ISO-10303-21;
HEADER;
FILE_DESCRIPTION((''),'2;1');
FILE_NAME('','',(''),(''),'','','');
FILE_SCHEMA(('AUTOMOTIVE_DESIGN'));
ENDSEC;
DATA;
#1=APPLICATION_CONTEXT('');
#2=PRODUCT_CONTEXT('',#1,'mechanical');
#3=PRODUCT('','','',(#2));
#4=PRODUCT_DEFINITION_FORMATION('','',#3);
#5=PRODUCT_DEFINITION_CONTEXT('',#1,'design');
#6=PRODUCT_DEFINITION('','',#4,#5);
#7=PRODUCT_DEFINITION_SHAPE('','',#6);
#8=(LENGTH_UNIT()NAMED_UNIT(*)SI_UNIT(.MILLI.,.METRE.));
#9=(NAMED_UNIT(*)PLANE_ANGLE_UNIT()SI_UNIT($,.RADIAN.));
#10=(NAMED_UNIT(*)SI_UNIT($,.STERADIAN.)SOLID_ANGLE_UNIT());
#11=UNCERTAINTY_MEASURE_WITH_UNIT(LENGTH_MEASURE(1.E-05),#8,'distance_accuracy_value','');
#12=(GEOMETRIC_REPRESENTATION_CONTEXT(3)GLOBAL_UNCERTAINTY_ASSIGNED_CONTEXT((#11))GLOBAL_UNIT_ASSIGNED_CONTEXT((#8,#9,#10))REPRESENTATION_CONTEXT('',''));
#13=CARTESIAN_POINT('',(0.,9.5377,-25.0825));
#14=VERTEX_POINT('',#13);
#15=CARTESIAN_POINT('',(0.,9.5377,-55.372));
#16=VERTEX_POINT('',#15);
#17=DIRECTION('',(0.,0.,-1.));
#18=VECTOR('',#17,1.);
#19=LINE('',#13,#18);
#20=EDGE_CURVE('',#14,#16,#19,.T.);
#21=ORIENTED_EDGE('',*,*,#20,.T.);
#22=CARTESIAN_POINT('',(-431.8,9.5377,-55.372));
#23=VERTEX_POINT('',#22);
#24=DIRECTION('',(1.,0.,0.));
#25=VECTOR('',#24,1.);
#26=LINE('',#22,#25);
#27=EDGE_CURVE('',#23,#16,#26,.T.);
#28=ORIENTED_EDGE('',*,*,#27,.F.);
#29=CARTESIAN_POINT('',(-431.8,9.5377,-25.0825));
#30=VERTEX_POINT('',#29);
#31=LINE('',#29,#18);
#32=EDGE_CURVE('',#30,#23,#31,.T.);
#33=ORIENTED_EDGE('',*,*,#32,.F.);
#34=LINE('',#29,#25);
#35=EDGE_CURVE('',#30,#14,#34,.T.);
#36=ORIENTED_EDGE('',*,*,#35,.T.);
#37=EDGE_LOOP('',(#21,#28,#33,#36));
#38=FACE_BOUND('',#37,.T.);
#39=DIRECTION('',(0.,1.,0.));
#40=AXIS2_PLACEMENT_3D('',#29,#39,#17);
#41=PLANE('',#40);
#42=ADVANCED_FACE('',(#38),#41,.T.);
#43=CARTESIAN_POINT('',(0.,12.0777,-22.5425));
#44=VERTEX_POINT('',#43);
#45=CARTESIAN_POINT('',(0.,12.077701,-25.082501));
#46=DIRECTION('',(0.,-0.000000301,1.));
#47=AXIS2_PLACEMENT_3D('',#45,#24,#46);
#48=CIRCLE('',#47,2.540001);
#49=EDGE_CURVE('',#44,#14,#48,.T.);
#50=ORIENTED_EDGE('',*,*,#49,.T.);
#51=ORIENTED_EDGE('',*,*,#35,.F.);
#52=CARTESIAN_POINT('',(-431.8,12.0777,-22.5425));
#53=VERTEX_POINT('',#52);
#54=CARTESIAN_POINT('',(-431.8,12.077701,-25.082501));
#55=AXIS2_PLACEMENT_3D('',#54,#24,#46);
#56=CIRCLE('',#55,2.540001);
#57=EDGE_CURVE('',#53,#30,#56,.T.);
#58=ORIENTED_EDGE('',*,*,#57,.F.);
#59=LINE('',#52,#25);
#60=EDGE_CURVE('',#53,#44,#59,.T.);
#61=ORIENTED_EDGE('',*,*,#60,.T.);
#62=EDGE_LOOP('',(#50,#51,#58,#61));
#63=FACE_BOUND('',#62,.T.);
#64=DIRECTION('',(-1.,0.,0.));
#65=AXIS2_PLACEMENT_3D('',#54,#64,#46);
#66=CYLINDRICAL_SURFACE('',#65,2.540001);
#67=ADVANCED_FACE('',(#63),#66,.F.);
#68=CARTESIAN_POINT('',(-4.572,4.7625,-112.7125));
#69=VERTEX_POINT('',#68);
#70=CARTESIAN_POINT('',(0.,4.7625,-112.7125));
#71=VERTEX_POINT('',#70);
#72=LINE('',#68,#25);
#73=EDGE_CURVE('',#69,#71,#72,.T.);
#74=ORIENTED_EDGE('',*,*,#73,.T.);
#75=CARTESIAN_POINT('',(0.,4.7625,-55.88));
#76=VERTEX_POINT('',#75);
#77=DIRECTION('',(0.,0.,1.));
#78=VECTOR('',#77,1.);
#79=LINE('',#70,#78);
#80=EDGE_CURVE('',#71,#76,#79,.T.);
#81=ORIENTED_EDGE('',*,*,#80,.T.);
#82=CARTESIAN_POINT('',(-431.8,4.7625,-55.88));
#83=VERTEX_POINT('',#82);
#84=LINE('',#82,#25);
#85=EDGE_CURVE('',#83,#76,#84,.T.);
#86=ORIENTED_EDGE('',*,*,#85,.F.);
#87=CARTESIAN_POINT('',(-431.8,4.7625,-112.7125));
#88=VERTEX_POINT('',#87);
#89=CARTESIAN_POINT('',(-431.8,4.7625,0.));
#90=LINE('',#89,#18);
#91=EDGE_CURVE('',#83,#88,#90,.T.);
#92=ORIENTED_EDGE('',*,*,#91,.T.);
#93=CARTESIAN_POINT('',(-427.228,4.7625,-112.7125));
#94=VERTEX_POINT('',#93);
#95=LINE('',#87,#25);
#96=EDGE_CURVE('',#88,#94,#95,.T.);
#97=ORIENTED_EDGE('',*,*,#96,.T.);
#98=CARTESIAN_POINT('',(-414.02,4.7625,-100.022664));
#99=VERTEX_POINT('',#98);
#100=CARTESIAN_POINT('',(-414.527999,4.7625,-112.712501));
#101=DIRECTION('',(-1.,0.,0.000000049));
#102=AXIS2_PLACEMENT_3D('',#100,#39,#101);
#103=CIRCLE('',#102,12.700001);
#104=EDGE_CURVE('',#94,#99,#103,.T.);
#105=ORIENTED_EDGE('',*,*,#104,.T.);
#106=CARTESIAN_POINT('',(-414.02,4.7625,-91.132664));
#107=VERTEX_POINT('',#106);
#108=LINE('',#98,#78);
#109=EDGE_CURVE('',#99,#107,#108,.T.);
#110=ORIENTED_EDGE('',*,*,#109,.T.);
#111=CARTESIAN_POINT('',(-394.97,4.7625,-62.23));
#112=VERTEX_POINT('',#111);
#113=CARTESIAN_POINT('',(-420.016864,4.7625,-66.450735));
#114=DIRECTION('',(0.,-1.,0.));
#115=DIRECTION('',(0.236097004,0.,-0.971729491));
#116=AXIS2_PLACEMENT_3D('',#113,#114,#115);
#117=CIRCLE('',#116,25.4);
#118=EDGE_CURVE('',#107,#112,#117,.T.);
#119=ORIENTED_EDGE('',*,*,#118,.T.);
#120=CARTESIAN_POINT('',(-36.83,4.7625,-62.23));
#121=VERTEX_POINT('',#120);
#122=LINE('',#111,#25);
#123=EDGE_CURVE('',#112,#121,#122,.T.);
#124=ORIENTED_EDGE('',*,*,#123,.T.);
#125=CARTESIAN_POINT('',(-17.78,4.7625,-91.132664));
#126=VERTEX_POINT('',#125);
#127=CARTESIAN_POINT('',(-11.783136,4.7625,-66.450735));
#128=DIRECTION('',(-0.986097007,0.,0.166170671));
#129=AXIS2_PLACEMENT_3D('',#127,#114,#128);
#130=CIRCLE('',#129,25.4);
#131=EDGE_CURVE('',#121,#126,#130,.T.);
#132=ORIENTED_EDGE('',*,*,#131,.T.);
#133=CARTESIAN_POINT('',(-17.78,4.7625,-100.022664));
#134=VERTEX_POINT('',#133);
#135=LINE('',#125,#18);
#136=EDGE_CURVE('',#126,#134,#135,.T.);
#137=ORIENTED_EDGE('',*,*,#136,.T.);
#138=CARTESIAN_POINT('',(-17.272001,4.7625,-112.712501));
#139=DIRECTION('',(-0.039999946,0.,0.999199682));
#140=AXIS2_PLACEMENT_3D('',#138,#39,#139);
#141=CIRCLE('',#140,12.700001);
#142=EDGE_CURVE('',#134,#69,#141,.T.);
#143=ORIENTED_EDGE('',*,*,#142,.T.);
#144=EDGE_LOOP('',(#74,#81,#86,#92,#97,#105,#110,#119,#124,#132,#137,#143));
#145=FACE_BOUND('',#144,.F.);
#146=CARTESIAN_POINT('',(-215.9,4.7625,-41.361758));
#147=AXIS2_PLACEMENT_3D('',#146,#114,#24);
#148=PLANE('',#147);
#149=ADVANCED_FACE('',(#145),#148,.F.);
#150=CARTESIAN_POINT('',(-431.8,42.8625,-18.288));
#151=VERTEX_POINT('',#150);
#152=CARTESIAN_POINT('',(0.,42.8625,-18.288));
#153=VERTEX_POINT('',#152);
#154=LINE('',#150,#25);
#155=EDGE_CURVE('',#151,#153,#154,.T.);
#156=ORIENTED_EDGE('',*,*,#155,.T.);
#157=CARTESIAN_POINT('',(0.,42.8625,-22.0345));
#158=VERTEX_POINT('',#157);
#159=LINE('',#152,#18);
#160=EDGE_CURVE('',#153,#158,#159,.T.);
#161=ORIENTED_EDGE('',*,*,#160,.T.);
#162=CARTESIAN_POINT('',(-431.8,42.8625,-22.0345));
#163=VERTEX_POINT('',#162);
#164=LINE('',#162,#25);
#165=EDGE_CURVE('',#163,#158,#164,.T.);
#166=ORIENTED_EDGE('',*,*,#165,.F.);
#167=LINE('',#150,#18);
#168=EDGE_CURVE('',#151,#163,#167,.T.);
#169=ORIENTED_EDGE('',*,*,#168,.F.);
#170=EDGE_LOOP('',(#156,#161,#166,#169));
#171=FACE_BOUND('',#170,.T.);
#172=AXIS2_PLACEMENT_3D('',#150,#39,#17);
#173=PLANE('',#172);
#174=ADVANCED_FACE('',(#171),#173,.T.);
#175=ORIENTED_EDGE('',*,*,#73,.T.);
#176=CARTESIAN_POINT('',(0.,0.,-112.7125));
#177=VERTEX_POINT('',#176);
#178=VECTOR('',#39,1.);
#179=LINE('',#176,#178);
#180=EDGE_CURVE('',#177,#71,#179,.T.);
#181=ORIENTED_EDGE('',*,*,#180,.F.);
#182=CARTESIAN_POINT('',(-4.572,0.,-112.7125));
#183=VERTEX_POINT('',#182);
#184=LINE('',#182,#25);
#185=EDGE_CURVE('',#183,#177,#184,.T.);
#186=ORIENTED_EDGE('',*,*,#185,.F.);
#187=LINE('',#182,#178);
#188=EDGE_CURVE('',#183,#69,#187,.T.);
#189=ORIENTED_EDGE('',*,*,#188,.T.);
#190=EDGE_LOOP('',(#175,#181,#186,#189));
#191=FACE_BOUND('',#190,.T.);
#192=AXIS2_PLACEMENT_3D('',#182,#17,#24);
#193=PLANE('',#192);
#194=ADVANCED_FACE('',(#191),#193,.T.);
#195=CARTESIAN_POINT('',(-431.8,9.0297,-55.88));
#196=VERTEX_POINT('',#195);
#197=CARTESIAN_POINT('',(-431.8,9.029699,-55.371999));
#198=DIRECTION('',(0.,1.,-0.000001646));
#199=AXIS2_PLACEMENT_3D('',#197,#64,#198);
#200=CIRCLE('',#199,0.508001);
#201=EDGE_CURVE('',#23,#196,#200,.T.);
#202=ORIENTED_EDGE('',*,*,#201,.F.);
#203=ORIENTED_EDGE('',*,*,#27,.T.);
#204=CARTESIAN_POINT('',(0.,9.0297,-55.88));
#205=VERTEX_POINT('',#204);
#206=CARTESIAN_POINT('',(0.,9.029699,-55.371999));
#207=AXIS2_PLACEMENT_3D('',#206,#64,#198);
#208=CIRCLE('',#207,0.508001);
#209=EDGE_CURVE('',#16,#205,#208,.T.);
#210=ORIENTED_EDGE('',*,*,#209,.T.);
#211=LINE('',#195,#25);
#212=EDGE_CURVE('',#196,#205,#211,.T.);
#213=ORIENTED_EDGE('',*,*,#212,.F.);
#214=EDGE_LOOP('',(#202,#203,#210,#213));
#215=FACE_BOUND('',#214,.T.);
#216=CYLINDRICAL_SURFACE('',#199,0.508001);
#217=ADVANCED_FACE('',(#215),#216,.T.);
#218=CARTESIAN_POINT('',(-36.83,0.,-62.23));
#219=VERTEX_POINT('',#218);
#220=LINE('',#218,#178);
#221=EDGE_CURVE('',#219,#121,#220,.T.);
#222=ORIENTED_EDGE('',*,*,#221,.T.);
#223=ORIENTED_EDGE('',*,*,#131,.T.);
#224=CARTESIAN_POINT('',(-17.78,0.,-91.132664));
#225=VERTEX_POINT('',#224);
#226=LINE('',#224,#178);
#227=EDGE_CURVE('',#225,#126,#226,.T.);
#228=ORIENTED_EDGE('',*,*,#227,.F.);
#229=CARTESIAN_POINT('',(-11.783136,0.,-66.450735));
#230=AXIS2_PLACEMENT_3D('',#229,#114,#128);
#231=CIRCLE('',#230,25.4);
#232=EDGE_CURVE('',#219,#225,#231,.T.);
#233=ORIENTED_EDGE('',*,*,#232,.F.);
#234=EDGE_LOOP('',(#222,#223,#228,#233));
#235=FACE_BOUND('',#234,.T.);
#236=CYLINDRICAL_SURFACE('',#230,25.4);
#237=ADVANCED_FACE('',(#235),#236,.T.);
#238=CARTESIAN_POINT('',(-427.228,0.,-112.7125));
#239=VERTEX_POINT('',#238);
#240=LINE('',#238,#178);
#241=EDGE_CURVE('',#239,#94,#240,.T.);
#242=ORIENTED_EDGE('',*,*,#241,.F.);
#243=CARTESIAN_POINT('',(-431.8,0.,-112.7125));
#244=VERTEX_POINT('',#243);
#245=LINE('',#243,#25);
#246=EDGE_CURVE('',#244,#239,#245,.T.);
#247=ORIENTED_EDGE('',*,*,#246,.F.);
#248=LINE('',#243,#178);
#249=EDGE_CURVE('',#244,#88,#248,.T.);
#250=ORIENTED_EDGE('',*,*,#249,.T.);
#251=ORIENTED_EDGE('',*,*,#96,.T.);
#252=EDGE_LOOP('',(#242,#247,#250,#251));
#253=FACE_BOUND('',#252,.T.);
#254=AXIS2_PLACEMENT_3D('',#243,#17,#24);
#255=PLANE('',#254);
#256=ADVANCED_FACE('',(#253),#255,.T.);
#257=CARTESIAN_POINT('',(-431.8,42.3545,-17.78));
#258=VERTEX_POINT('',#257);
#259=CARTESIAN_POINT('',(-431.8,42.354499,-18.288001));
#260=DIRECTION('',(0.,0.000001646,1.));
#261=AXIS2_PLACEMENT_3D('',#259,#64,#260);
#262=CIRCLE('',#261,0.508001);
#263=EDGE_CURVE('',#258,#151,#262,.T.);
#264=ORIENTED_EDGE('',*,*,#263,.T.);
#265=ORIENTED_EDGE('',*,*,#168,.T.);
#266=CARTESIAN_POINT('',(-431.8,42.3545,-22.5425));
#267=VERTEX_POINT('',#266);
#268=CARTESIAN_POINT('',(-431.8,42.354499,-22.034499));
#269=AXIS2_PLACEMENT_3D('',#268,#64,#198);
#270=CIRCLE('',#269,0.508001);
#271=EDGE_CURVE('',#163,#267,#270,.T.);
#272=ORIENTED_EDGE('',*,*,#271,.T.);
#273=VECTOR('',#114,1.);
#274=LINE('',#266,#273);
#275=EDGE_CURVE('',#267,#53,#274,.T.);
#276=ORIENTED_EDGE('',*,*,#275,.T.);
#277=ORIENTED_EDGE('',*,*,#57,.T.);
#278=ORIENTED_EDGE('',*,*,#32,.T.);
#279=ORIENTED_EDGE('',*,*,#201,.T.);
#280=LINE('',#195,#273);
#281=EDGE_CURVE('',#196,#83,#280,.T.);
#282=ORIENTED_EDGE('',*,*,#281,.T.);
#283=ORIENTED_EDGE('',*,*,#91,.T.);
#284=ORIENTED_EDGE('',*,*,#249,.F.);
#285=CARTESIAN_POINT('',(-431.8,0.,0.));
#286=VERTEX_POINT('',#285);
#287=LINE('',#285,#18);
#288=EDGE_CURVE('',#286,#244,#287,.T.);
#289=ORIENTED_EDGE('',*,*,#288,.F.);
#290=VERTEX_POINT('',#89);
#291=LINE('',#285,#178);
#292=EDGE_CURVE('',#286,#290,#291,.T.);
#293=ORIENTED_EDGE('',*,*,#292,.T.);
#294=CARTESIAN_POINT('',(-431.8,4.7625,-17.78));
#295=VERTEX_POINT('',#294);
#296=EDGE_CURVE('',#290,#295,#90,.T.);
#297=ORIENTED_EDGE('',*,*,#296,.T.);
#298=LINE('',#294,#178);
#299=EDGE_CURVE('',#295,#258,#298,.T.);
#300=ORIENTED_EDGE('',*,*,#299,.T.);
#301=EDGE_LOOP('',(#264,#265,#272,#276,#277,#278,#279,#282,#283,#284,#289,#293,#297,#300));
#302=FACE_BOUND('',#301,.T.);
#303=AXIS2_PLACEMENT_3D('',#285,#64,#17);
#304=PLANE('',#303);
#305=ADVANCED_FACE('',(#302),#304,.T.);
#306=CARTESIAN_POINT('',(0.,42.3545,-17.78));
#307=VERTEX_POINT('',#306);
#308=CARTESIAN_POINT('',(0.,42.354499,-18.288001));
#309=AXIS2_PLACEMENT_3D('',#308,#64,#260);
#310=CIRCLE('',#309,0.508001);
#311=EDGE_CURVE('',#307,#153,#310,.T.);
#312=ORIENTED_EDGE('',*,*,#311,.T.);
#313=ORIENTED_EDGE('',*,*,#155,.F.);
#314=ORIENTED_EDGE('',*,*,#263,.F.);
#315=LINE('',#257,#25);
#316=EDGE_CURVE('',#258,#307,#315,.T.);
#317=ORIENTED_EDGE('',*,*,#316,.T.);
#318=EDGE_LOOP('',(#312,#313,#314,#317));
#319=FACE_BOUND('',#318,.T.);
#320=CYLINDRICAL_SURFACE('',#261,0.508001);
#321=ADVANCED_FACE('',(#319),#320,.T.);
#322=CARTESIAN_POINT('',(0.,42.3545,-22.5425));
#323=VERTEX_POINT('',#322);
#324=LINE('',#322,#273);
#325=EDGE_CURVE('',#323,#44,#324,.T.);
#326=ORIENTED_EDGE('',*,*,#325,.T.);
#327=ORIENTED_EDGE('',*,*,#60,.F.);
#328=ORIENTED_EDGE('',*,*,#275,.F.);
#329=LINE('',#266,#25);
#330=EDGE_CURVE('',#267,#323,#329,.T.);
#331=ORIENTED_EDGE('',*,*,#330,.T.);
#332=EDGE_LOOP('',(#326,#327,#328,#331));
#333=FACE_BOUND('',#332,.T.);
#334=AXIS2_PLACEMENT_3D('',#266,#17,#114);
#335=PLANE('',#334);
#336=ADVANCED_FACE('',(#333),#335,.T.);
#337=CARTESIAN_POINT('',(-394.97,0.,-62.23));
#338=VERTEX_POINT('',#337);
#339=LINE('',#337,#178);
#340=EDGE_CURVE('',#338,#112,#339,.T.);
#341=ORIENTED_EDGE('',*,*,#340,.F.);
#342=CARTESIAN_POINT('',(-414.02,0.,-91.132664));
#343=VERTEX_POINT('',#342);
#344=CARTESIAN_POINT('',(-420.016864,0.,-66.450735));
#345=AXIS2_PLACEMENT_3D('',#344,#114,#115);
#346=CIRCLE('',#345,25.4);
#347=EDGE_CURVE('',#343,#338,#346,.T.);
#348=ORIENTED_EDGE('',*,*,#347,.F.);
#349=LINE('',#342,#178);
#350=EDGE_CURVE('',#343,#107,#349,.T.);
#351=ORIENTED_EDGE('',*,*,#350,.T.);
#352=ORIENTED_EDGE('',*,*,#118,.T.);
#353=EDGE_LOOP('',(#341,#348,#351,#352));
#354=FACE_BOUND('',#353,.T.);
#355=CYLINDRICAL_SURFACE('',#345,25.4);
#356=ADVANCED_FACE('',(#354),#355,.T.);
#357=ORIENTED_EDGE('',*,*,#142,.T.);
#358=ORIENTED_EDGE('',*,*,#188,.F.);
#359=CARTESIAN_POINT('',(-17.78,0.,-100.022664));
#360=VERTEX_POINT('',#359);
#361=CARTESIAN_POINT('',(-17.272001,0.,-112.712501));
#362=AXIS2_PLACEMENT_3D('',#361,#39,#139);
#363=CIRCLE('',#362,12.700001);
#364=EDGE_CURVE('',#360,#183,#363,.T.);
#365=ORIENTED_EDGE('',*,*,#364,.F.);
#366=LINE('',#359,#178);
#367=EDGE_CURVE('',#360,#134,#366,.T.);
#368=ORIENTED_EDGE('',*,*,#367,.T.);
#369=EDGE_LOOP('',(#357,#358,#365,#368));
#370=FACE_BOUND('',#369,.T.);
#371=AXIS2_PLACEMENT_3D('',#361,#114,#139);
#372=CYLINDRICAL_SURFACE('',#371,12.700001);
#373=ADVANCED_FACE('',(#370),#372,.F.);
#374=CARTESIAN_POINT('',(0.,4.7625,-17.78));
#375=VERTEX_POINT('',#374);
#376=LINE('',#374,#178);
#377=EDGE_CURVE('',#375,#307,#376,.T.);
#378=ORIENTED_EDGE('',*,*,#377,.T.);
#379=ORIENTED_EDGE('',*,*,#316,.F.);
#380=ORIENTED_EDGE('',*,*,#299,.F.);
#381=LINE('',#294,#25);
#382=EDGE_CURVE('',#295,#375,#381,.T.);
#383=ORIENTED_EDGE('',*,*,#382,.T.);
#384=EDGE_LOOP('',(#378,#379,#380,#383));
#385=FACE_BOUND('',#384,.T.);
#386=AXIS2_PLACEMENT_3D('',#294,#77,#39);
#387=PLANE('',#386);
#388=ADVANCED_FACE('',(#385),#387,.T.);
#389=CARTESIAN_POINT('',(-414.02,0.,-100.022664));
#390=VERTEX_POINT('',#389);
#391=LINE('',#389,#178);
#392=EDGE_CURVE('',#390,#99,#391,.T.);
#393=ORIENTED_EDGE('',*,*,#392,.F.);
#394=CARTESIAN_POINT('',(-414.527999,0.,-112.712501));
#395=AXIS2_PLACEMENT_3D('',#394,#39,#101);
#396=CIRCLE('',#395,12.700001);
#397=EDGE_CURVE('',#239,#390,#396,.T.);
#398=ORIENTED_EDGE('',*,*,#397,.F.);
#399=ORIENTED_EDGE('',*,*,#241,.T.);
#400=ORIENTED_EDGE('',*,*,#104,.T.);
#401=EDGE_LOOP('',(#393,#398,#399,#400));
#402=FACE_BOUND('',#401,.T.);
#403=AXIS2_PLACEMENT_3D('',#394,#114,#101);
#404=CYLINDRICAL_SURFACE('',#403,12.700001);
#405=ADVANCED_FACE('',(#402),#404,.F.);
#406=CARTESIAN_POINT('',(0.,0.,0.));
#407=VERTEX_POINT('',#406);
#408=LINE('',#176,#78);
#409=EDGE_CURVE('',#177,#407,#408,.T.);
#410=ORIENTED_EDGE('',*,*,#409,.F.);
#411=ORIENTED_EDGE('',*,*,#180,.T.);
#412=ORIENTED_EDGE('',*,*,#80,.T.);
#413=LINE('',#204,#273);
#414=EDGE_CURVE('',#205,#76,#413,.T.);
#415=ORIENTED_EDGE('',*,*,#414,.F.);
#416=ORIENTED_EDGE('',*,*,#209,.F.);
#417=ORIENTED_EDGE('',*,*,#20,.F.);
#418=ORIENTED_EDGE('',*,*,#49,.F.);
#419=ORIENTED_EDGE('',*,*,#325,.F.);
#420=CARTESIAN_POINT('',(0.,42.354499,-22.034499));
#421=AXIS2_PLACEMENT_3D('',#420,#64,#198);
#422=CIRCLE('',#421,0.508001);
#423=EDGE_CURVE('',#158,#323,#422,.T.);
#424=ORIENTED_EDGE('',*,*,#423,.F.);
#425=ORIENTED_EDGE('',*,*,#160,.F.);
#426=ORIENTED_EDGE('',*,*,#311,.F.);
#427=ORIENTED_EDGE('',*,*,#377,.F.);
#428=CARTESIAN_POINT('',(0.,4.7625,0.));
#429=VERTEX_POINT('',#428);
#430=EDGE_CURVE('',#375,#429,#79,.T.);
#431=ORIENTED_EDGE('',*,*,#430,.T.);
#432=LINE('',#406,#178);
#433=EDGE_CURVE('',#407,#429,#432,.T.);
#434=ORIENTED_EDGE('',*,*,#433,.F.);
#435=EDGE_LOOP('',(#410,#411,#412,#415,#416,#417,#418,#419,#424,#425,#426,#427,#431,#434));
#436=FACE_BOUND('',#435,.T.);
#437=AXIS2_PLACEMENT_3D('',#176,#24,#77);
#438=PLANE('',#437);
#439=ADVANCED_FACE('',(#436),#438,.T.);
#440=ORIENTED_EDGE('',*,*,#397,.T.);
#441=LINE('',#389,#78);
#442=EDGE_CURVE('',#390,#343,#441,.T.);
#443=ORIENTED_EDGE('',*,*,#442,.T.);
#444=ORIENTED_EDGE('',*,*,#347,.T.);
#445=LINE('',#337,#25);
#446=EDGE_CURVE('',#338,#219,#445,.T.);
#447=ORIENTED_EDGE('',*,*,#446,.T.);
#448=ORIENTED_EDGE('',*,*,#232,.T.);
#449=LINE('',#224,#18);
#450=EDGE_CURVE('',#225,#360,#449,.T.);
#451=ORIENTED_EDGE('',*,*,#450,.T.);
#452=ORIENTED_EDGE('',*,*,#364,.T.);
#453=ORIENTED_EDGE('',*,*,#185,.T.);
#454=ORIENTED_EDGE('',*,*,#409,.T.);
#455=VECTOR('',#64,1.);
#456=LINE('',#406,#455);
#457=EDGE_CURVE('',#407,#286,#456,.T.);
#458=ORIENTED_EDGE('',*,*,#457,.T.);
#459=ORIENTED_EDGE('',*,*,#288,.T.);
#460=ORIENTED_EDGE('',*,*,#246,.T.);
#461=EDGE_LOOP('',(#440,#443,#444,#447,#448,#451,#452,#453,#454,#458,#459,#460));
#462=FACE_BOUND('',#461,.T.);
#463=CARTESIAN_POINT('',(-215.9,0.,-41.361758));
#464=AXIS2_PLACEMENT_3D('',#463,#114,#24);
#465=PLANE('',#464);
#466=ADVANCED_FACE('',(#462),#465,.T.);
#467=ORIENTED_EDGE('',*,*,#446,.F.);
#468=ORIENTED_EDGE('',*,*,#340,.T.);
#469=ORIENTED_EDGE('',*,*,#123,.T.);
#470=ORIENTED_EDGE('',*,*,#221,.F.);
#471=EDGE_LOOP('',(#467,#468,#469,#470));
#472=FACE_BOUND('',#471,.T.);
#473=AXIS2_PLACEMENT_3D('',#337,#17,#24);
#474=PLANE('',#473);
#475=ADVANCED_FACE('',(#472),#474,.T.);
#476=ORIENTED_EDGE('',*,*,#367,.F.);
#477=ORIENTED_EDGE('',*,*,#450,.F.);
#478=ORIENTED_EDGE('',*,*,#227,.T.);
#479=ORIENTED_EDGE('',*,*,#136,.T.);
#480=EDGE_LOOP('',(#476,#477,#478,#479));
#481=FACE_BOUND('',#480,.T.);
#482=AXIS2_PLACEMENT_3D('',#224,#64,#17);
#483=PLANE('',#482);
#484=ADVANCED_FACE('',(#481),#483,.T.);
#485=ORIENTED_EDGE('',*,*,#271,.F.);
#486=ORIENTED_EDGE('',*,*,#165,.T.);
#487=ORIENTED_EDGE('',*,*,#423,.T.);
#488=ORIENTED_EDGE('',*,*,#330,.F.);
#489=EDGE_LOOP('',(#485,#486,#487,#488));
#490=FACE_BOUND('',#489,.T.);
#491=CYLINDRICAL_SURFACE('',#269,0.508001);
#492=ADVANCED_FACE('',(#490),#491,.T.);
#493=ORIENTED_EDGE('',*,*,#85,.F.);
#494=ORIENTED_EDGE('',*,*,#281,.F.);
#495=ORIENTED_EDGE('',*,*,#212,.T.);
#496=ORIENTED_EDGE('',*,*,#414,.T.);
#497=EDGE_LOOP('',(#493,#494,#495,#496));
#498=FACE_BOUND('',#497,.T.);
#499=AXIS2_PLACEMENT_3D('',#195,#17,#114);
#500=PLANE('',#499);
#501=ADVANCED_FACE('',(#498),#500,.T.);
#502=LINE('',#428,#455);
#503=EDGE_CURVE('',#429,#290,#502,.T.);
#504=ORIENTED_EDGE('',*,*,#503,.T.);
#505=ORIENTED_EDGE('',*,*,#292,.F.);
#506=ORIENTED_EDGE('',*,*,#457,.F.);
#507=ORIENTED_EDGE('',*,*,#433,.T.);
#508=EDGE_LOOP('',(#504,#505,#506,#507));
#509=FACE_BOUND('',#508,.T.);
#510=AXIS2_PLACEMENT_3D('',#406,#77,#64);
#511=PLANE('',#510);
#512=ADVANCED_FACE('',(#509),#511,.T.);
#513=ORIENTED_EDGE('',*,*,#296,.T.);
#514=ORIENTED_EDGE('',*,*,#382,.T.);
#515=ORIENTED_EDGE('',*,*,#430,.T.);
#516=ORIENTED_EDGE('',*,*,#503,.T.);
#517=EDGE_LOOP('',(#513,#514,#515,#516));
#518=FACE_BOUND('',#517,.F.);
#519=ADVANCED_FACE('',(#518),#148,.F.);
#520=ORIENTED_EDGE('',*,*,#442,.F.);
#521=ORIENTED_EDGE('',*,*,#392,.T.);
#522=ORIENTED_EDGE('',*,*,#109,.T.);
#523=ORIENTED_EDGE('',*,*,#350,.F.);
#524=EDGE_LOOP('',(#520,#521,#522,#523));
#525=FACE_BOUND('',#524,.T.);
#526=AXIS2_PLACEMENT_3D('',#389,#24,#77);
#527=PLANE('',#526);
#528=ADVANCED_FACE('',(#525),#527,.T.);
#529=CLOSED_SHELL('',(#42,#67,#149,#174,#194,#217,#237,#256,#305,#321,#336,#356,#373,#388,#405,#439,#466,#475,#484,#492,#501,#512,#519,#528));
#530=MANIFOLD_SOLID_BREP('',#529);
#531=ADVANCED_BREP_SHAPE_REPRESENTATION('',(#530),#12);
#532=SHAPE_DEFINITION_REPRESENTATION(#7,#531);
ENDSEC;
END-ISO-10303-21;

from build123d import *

# Parameters (mm, degrees)
F1_DEPTH = 4.7625
F3_DEPTH = 431.8


with BuildPart() as f1:
    # F0 (on Front) → F1 (new body)
    with BuildSketch(Plane.XZ):
        with BuildLine():
            Line((0, 0), (-215.9, 0))
            Line((-215.9, 0), (-431.8, 0))
            Line((-431.8, 0), (-431.8, -112.7125))
            Line((-431.8, -112.7125), (-427.228, -112.7125))
            ThreePointArc((-427.228, -112.7125), (-423.326818, -103.5544), (-414.02, -100.022664))
            Line((-414.02, -100.022664), (-414.02, -91.132664))
            ThreePointArc((-414.02, -91.132664), (-398.8091, -80.428959), (-394.97, -62.23))
            Line((-394.97, -62.23), (-215.9, -62.23))
            Line((-215.9, -62.23), (-36.83, -62.23))
            ThreePointArc((-36.83, -62.23), (-32.9909, -80.428959), (-17.78, -91.132664))
            Line((-17.78, -91.132664), (-17.78, -100.022664))
            ThreePointArc((-17.78, -100.022664), (-8.473182, -103.5544), (-4.572, -112.7125))
            Line((-4.572, -112.7125), (0, -112.7125))
            Line((0, -112.7125), (0, 0))
        make_face()
    extrude(amount=-F1_DEPTH)

    # F2 (on face) → F3 (join, through all)
    with BuildSketch(Plane(origin=(-431.8, 0, 0), x_dir=(0, -1, 0), z_dir=(-1, 0, 0))):
        with BuildLine():
            Line((-4.7625, -55.88), (-4.7625, -17.78))
            Line((-4.7625, -17.78), (-42.3545, -17.78))
            ThreePointArc((-42.3545, -17.78), (-42.71371, -17.92879), (-42.8625, -18.288))
            Line((-42.8625, -18.288), (-42.8625, -22.0345))
            ThreePointArc((-42.8625, -22.0345), (-42.71371, -22.39371), (-42.3545, -22.5425))
            Line((-42.3545, -22.5425), (-12.0777, -22.5425))
            ThreePointArc((-12.0777, -22.5425), (-10.281649, -23.286449), (-9.5377, -25.0825))
            Line((-9.5377, -25.0825), (-9.5377, -55.372))
            ThreePointArc((-9.5377, -55.372), (-9.38891, -55.73121), (-9.0297, -55.88))
            Line((-9.0297, -55.88), (-4.7625, -55.88))
        make_face()
    extrude(amount=-F3_DEPTH)


solid = f1.part
